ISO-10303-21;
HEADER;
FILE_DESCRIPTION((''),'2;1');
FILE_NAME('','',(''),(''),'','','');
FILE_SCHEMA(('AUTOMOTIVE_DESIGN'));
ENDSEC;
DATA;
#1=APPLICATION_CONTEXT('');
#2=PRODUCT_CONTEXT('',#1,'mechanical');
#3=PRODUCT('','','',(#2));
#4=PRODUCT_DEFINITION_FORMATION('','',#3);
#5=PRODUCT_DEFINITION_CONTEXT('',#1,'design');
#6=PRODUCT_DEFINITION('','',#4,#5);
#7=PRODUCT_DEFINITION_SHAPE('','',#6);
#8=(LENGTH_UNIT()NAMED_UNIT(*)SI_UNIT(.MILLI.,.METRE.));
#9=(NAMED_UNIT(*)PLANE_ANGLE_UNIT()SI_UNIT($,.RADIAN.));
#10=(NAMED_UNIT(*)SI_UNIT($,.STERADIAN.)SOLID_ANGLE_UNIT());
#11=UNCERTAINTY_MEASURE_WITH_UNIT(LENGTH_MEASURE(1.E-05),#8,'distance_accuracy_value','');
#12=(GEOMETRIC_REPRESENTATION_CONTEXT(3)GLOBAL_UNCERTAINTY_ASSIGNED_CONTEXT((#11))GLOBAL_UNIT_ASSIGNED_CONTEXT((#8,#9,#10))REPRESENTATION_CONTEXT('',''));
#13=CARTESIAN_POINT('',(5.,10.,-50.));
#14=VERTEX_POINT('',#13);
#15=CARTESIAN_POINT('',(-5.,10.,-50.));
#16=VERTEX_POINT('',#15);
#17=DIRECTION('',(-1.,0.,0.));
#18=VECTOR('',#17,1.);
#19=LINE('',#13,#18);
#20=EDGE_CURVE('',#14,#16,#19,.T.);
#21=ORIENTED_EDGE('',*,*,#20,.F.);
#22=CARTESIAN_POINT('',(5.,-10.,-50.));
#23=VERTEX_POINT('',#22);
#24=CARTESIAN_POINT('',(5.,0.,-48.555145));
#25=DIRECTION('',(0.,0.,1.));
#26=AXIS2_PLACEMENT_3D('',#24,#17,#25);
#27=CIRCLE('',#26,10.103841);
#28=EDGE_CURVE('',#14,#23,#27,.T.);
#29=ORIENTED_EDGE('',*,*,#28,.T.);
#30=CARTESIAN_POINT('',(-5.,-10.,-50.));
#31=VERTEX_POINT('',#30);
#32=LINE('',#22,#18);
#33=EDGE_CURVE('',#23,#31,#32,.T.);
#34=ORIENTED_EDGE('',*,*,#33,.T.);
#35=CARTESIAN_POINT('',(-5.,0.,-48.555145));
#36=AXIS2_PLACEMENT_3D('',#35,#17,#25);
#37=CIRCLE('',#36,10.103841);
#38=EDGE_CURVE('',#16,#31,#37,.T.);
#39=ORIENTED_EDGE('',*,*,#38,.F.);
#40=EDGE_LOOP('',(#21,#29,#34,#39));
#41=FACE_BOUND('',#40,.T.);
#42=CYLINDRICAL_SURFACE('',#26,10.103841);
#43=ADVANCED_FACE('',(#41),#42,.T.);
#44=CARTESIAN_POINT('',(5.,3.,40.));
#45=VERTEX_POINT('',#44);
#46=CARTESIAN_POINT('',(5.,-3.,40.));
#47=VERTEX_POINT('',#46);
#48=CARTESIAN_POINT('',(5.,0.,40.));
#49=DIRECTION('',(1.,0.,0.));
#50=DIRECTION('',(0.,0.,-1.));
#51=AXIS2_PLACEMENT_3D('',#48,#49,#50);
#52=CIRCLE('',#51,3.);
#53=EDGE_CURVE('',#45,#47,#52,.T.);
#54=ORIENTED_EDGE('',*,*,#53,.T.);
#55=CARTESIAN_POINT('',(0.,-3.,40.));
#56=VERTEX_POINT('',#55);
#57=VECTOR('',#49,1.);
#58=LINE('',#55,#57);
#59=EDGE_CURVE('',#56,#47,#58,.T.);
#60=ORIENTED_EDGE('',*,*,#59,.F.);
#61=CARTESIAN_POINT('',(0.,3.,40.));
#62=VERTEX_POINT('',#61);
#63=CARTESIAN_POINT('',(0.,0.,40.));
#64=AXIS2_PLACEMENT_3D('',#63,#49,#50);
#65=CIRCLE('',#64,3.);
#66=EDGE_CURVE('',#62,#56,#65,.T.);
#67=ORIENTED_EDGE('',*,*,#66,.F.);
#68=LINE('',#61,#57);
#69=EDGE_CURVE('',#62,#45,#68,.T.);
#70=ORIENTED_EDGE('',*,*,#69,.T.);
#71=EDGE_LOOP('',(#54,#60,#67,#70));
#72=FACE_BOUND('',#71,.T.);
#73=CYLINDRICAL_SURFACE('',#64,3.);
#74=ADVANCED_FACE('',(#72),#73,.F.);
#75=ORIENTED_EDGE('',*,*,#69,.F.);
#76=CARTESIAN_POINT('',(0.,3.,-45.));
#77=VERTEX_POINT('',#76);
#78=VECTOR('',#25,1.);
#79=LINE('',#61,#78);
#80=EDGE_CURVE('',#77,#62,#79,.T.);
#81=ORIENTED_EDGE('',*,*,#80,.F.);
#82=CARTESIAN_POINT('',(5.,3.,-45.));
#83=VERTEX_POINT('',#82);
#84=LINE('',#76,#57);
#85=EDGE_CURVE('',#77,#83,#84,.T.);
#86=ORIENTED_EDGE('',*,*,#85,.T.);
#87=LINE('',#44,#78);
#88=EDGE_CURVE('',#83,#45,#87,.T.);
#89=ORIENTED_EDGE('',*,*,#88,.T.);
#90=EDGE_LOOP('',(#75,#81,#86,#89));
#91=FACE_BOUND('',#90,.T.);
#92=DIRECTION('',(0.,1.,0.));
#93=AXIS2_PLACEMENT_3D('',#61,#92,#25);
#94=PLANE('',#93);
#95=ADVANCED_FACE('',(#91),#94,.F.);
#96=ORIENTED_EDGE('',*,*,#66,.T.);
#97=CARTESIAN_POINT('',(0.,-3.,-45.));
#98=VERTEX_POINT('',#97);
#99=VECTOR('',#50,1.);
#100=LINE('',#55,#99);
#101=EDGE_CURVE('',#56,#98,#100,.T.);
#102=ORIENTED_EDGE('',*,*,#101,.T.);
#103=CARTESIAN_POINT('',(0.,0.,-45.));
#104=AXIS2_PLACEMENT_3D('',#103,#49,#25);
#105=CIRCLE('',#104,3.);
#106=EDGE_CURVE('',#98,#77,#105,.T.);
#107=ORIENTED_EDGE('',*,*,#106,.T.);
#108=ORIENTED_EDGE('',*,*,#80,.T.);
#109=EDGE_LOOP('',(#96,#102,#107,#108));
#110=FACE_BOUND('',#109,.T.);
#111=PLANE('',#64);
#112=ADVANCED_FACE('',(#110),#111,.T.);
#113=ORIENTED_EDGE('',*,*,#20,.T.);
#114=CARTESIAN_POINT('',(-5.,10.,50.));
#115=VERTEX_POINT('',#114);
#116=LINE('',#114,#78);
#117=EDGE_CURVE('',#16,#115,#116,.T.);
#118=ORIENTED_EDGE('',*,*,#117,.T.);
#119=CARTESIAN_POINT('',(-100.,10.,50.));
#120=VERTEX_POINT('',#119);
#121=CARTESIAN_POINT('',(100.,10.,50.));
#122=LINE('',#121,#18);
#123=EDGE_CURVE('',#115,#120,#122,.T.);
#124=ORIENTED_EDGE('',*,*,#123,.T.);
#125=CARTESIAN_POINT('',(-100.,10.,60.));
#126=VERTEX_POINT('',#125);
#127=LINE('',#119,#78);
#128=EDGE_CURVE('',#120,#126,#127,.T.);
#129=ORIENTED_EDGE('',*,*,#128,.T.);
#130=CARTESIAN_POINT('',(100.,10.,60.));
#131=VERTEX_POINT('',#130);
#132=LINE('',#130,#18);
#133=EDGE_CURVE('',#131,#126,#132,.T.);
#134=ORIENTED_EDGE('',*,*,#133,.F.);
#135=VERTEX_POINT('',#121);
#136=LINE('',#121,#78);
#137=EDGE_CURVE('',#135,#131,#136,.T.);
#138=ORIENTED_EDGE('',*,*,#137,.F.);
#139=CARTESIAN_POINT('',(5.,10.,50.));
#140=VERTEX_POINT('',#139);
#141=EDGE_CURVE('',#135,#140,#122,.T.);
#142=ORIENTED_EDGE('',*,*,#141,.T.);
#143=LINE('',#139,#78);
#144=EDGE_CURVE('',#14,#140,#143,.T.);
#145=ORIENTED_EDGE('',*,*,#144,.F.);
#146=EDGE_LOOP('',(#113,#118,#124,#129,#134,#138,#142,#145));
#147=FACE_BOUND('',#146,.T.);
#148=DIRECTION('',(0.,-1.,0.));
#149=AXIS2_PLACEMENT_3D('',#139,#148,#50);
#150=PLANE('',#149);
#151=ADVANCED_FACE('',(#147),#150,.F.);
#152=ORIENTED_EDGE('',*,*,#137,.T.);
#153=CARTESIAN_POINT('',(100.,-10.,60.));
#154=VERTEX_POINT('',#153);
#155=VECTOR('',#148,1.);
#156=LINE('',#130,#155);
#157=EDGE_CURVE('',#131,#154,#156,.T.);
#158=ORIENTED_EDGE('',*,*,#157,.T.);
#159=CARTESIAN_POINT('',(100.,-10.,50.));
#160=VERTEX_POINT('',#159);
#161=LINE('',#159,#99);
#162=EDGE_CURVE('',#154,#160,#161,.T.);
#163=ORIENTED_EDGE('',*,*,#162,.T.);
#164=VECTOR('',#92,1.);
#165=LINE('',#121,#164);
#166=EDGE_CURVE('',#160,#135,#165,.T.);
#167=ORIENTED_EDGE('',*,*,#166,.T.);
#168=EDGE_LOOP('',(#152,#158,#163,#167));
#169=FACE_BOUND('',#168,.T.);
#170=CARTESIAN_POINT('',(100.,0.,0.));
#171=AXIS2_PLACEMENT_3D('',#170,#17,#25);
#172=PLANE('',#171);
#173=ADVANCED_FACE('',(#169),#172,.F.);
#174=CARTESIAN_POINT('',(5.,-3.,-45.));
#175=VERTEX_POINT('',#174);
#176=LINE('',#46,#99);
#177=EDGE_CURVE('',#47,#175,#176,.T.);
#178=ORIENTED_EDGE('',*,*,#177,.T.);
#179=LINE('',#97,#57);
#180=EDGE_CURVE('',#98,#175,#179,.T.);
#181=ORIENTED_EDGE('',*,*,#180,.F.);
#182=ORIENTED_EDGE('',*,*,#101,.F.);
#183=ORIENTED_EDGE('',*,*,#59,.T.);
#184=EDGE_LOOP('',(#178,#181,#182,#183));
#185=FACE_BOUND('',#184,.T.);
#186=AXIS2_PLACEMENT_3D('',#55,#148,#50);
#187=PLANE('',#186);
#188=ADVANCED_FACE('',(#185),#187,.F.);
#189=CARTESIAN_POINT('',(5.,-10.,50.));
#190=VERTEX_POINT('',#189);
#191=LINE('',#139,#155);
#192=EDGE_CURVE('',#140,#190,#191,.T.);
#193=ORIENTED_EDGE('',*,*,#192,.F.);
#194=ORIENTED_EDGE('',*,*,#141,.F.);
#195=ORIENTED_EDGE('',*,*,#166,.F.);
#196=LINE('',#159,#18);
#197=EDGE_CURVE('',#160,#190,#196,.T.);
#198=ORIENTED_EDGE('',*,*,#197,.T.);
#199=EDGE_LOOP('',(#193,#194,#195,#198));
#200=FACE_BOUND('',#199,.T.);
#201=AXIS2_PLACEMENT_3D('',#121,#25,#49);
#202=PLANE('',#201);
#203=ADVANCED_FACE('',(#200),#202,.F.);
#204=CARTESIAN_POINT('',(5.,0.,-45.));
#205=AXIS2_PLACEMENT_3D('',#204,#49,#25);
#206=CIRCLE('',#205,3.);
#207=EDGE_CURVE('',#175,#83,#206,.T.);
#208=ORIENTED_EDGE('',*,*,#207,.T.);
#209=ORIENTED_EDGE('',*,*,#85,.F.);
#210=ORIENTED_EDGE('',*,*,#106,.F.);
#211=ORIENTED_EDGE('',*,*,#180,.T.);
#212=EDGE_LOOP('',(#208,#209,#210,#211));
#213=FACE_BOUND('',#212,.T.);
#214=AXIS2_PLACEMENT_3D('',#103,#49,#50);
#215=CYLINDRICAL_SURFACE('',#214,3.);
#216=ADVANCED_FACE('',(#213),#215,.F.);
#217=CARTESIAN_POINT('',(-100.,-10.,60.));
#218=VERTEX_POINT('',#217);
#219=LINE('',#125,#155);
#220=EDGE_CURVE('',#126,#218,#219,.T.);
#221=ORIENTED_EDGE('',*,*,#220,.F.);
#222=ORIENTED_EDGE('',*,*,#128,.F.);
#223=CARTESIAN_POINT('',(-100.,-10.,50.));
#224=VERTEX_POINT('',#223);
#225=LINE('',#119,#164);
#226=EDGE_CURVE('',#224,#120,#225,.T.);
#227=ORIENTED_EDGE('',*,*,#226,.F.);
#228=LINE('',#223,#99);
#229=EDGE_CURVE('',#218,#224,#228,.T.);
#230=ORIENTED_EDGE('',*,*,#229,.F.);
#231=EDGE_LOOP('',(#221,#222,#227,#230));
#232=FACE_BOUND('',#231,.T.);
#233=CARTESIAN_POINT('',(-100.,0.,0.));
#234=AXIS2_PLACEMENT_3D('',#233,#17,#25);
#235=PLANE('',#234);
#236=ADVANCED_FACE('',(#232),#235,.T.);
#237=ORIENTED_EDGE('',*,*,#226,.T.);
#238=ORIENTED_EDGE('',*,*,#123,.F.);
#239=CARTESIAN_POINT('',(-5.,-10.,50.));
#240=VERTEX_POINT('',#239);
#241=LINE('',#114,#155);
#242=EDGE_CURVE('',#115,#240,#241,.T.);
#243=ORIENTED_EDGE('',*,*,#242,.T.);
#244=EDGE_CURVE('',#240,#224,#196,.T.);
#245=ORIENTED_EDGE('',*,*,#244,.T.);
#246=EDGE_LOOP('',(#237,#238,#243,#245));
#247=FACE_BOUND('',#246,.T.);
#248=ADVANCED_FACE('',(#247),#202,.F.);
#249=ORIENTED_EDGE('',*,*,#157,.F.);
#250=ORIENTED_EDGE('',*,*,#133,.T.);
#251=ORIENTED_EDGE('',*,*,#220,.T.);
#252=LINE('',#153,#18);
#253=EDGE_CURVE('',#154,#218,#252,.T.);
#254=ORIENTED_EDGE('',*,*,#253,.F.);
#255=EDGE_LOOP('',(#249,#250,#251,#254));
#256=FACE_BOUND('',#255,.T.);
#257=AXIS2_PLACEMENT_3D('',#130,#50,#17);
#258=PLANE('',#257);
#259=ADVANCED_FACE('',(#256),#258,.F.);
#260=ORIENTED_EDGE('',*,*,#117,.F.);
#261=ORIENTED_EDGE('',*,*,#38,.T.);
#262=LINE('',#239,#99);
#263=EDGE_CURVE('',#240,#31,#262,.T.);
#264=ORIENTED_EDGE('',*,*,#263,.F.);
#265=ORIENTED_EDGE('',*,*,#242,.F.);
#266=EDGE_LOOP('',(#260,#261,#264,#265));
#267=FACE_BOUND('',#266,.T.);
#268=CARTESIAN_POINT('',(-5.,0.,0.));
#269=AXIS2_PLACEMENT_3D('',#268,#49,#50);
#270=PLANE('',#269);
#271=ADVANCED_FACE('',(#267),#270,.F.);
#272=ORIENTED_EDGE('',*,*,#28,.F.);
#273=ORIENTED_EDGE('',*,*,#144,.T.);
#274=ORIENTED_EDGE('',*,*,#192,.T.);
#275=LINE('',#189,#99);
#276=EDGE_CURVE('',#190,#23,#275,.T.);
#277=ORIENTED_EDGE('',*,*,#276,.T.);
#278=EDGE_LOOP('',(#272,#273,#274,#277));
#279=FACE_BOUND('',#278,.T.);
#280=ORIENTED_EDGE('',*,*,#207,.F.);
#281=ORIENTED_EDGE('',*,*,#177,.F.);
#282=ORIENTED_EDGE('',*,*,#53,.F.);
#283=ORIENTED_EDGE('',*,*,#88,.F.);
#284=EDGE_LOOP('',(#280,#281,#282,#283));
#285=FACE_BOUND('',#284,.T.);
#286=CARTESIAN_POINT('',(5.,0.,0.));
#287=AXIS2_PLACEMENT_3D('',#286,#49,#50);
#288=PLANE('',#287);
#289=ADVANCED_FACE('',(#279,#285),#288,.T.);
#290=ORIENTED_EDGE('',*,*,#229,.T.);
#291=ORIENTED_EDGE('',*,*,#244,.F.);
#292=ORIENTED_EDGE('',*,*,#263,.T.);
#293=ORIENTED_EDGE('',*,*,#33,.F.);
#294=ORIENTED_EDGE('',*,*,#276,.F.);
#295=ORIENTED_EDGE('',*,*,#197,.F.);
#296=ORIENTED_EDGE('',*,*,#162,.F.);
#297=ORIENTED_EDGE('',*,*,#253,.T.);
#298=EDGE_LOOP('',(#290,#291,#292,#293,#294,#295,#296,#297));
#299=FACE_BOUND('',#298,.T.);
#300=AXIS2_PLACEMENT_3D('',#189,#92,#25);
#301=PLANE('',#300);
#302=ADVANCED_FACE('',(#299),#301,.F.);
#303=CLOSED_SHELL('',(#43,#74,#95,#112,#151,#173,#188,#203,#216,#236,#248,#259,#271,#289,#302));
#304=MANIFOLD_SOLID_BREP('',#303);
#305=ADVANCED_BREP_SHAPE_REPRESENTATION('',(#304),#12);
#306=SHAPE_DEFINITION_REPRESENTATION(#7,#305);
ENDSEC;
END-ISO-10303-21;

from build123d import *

# Parameters (mm, degrees)
BACK_START      = -5
SKETCH1_W       = 100
SKETCH1_H       = 20
BACK_DEPTH      = 10
CURVE_START     = -5
CURVE_END_DEPTH = 10
SLOT_START      = 5
SLOT_DEPTH      = 5
FRONT_START     = -100
SKETCH11_W      = 10
SKETCH11_H      = 20
FRONT_DEPTH     = 200


with BuildPart() as part:
    # Sketch1 → Back (new body)
    with BuildSketch(Plane(origin=(0, 0, 0), x_dir=(0, 0, -1), z_dir=(1, 0, 0)).offset(BACK_START)):
        Rectangle(SKETCH1_W, SKETCH1_H)
    extrude(amount=BACK_DEPTH)

    # Sketch5 → Curve End (add)
    with BuildSketch(Plane(origin=(0, 0, 0), x_dir=(0, 0, -1), z_dir=(1, 0, 0)).offset(CURVE_START)):
        with BuildLine():
            ThreePointArc((50, 10), (58.658985764, 0), (50, -10))
            Line((50, -10), (48.569993907, -0.102773996))
            ThreePointArc((48.569993907, -0.102773996), (48.658985764, 0), (48.569993907, 0.102773996))
            Line((48.569993907, 0.102773996), (50, 10))
        make_face()
    extrude(amount=CURVE_END_DEPTH)

    # Sketch7 → Slot (cut)
    with BuildSketch(Plane(origin=(0, 0, 0), x_dir=(0, 0, -1), z_dir=(1, 0, 0)).offset(SLOT_START)):
        with BuildLine():
            Line((-40, 3), (45, 3))
            ThreePointArc((45, 3), (48, 0), (45, -3))
            Line((45, -3), (-40, -3))
            ThreePointArc((-40, -3), (-43, 0), (-40, 3))
        make_face()
    extrude(amount=-SLOT_DEPTH, mode=Mode.SUBTRACT)

    # Sketch11 → Front (add)
    with BuildSketch(Plane(origin=(0, 0, 0), x_dir=(0, 0, -1), z_dir=(1, 0, 0)).offset(FRONT_START)):
        with Locations((-55, 0)):
            Rectangle(SKETCH11_W, SKETCH11_H)
    extrude(amount=FRONT_DEPTH)


solid = part.part
